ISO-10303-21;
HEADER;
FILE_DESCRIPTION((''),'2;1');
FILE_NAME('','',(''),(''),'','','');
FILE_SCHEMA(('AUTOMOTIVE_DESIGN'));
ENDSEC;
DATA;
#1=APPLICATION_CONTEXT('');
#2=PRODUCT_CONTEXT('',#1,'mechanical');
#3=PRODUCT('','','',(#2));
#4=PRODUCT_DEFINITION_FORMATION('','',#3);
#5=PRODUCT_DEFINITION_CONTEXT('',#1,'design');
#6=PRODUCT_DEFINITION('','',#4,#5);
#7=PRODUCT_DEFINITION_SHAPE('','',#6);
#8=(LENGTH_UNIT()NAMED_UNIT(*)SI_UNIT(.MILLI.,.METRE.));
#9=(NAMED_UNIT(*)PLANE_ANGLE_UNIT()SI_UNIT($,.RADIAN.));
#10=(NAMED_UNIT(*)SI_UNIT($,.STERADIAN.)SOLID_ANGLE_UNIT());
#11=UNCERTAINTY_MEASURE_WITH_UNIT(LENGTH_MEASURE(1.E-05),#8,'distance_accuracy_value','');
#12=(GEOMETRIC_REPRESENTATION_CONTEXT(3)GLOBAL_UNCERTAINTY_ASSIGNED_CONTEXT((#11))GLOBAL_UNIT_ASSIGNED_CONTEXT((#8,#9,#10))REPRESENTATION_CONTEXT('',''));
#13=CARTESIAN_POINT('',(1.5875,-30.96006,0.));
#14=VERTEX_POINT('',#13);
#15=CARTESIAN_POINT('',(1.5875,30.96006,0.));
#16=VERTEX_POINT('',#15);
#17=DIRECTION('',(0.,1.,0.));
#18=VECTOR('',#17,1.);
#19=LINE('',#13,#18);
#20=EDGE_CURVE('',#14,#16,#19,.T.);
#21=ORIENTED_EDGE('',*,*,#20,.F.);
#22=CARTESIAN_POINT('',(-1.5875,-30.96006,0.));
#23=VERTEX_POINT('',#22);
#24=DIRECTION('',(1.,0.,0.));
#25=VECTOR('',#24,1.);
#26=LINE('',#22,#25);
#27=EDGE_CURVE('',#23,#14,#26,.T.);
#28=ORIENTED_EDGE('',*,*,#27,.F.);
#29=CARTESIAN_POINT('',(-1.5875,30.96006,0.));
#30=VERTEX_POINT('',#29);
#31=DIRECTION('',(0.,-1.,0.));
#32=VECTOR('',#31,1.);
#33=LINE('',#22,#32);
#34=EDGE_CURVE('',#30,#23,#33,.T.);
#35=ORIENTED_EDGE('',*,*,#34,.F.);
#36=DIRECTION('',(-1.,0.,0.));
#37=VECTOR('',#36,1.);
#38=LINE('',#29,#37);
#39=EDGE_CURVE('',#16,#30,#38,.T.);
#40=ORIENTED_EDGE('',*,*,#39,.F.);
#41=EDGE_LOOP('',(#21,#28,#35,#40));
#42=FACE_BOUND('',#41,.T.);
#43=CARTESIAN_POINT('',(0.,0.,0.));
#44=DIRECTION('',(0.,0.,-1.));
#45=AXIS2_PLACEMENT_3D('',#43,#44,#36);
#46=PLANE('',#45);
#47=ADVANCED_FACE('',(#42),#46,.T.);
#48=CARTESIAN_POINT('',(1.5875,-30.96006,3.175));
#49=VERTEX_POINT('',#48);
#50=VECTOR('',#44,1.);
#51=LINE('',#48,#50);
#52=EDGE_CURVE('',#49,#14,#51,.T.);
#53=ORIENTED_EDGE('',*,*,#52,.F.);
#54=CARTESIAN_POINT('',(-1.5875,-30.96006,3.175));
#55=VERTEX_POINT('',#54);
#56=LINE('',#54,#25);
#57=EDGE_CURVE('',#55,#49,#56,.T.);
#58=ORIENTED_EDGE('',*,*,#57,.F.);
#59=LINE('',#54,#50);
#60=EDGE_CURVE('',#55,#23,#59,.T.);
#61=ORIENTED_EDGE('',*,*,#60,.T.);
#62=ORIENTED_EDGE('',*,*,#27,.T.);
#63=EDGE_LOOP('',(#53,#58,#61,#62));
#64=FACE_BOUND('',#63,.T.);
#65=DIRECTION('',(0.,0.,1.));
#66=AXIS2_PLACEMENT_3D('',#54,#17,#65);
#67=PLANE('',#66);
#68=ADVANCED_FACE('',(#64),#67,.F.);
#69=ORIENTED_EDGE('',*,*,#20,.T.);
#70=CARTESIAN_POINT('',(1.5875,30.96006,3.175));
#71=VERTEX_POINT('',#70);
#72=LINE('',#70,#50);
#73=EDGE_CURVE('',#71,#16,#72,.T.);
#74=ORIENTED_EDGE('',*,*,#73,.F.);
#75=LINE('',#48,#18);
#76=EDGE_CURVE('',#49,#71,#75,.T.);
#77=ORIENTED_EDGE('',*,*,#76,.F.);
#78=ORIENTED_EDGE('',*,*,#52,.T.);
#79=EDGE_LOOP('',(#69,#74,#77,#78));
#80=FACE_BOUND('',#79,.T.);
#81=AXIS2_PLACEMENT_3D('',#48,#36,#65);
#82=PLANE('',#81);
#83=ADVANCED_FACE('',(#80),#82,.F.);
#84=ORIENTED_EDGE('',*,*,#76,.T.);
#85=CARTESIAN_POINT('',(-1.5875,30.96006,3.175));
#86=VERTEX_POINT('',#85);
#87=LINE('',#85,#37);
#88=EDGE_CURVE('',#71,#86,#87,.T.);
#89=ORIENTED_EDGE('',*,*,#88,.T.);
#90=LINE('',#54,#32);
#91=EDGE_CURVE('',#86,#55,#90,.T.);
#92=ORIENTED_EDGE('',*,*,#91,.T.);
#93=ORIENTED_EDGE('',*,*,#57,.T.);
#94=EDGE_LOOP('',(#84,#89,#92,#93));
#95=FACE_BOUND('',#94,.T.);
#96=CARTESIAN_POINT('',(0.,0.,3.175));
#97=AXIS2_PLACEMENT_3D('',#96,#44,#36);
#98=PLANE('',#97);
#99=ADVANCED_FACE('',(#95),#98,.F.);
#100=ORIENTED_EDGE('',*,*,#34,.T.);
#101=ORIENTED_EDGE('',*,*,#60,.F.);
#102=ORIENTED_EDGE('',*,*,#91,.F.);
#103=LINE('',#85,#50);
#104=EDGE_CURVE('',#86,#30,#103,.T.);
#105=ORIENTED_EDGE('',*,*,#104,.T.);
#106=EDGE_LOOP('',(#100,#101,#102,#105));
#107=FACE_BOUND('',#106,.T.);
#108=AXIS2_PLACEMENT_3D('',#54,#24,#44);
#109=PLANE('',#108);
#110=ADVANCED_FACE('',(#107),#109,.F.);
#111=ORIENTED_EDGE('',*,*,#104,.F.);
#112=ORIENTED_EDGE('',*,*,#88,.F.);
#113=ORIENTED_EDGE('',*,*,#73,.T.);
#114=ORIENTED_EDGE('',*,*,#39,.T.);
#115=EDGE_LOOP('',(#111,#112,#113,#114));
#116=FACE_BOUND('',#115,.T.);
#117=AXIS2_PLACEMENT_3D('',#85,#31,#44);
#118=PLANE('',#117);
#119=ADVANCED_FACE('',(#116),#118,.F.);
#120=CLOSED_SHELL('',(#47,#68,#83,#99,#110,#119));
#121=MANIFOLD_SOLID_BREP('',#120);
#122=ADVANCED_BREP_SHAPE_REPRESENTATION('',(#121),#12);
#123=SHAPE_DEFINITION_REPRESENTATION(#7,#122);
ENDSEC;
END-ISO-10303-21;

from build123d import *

# Parameters (mm, degrees)
SKETCH2_W           = 3.175
SKETCH2_H           = 61.92012
BOSS_EXTRUDE1_DEPTH = 3.175


with BuildPart() as part:
    # Sketch2 → Boss-Extrude1 (new body)
    with BuildSketch(Plane.XY):
        Rectangle(SKETCH2_W, SKETCH2_H)
    extrude(amount=BOSS_EXTRUDE1_DEPTH)


solid = part.part
